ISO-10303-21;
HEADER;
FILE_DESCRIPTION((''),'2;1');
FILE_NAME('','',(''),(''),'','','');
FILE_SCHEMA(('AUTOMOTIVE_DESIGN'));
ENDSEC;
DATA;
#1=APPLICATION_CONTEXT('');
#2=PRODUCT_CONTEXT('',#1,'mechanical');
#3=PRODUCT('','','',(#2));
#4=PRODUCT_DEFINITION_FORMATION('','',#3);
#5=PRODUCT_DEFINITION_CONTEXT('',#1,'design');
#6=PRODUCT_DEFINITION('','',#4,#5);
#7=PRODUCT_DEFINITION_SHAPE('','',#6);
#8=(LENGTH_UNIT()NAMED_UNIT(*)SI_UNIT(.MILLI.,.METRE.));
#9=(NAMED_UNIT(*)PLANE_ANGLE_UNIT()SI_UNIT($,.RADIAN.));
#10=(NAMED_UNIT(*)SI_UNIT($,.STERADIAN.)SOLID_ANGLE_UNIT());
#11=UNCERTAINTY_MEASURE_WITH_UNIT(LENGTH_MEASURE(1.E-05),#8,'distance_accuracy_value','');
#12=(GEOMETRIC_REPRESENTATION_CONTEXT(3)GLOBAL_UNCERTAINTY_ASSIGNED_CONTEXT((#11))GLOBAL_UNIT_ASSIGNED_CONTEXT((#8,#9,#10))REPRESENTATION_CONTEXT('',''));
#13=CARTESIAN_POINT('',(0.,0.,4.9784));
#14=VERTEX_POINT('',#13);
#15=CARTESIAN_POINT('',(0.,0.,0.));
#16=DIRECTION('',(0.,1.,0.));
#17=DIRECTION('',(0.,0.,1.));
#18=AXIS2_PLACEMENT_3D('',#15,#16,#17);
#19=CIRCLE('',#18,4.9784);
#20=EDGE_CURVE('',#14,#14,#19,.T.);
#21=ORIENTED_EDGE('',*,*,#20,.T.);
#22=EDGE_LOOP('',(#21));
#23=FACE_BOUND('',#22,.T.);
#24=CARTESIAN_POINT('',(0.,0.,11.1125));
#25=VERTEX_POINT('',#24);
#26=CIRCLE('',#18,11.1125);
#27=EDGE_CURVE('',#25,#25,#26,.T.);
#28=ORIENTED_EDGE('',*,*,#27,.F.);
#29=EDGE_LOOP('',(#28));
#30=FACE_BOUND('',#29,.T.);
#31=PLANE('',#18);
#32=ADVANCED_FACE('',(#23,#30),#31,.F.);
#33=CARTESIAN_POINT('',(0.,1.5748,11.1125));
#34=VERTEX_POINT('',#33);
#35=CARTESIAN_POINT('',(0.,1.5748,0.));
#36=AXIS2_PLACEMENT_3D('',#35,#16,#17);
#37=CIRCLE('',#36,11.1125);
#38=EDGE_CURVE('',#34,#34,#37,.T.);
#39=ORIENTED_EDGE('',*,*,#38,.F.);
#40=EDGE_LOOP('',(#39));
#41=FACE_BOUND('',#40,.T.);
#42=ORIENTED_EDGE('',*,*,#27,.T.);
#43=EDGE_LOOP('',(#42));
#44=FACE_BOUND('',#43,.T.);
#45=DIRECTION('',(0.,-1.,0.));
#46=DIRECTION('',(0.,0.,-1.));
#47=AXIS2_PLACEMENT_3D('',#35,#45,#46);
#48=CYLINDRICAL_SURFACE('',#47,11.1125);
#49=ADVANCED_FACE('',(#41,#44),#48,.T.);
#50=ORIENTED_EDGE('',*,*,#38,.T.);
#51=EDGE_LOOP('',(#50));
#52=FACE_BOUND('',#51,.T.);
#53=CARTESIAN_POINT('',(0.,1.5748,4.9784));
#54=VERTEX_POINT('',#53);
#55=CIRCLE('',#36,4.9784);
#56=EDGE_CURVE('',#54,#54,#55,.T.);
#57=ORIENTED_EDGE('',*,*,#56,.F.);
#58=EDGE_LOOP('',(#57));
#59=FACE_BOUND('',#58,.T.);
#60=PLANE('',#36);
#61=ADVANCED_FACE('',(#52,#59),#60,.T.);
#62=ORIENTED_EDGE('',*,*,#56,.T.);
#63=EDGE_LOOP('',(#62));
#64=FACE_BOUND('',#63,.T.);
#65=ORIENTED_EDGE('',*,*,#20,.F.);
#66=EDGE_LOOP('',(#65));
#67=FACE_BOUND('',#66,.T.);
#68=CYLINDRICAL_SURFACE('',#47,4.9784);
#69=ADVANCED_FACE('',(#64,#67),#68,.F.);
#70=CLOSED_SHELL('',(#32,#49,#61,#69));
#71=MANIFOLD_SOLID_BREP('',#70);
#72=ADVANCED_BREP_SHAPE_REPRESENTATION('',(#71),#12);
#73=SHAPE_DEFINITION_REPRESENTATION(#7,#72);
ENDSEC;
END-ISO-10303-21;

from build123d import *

# Parameters (mm, degrees)
SKETCH1_R           = 11.1125
SKETCH1_R_2         = 4.9784
BOSS_EXTRUDE1_DEPTH = 1.5748


with BuildPart() as part:
    # Sketch1 → Boss-Extrude1 (new body)
    with BuildSketch(Plane(origin=(0, 0, 0), x_dir=(1, 0, 0), z_dir=(0, 1, 0))):
        Circle(SKETCH1_R)
        Circle(SKETCH1_R_2, mode=Mode.SUBTRACT)
    extrude(amount=BOSS_EXTRUDE1_DEPTH)


solid = part.part
